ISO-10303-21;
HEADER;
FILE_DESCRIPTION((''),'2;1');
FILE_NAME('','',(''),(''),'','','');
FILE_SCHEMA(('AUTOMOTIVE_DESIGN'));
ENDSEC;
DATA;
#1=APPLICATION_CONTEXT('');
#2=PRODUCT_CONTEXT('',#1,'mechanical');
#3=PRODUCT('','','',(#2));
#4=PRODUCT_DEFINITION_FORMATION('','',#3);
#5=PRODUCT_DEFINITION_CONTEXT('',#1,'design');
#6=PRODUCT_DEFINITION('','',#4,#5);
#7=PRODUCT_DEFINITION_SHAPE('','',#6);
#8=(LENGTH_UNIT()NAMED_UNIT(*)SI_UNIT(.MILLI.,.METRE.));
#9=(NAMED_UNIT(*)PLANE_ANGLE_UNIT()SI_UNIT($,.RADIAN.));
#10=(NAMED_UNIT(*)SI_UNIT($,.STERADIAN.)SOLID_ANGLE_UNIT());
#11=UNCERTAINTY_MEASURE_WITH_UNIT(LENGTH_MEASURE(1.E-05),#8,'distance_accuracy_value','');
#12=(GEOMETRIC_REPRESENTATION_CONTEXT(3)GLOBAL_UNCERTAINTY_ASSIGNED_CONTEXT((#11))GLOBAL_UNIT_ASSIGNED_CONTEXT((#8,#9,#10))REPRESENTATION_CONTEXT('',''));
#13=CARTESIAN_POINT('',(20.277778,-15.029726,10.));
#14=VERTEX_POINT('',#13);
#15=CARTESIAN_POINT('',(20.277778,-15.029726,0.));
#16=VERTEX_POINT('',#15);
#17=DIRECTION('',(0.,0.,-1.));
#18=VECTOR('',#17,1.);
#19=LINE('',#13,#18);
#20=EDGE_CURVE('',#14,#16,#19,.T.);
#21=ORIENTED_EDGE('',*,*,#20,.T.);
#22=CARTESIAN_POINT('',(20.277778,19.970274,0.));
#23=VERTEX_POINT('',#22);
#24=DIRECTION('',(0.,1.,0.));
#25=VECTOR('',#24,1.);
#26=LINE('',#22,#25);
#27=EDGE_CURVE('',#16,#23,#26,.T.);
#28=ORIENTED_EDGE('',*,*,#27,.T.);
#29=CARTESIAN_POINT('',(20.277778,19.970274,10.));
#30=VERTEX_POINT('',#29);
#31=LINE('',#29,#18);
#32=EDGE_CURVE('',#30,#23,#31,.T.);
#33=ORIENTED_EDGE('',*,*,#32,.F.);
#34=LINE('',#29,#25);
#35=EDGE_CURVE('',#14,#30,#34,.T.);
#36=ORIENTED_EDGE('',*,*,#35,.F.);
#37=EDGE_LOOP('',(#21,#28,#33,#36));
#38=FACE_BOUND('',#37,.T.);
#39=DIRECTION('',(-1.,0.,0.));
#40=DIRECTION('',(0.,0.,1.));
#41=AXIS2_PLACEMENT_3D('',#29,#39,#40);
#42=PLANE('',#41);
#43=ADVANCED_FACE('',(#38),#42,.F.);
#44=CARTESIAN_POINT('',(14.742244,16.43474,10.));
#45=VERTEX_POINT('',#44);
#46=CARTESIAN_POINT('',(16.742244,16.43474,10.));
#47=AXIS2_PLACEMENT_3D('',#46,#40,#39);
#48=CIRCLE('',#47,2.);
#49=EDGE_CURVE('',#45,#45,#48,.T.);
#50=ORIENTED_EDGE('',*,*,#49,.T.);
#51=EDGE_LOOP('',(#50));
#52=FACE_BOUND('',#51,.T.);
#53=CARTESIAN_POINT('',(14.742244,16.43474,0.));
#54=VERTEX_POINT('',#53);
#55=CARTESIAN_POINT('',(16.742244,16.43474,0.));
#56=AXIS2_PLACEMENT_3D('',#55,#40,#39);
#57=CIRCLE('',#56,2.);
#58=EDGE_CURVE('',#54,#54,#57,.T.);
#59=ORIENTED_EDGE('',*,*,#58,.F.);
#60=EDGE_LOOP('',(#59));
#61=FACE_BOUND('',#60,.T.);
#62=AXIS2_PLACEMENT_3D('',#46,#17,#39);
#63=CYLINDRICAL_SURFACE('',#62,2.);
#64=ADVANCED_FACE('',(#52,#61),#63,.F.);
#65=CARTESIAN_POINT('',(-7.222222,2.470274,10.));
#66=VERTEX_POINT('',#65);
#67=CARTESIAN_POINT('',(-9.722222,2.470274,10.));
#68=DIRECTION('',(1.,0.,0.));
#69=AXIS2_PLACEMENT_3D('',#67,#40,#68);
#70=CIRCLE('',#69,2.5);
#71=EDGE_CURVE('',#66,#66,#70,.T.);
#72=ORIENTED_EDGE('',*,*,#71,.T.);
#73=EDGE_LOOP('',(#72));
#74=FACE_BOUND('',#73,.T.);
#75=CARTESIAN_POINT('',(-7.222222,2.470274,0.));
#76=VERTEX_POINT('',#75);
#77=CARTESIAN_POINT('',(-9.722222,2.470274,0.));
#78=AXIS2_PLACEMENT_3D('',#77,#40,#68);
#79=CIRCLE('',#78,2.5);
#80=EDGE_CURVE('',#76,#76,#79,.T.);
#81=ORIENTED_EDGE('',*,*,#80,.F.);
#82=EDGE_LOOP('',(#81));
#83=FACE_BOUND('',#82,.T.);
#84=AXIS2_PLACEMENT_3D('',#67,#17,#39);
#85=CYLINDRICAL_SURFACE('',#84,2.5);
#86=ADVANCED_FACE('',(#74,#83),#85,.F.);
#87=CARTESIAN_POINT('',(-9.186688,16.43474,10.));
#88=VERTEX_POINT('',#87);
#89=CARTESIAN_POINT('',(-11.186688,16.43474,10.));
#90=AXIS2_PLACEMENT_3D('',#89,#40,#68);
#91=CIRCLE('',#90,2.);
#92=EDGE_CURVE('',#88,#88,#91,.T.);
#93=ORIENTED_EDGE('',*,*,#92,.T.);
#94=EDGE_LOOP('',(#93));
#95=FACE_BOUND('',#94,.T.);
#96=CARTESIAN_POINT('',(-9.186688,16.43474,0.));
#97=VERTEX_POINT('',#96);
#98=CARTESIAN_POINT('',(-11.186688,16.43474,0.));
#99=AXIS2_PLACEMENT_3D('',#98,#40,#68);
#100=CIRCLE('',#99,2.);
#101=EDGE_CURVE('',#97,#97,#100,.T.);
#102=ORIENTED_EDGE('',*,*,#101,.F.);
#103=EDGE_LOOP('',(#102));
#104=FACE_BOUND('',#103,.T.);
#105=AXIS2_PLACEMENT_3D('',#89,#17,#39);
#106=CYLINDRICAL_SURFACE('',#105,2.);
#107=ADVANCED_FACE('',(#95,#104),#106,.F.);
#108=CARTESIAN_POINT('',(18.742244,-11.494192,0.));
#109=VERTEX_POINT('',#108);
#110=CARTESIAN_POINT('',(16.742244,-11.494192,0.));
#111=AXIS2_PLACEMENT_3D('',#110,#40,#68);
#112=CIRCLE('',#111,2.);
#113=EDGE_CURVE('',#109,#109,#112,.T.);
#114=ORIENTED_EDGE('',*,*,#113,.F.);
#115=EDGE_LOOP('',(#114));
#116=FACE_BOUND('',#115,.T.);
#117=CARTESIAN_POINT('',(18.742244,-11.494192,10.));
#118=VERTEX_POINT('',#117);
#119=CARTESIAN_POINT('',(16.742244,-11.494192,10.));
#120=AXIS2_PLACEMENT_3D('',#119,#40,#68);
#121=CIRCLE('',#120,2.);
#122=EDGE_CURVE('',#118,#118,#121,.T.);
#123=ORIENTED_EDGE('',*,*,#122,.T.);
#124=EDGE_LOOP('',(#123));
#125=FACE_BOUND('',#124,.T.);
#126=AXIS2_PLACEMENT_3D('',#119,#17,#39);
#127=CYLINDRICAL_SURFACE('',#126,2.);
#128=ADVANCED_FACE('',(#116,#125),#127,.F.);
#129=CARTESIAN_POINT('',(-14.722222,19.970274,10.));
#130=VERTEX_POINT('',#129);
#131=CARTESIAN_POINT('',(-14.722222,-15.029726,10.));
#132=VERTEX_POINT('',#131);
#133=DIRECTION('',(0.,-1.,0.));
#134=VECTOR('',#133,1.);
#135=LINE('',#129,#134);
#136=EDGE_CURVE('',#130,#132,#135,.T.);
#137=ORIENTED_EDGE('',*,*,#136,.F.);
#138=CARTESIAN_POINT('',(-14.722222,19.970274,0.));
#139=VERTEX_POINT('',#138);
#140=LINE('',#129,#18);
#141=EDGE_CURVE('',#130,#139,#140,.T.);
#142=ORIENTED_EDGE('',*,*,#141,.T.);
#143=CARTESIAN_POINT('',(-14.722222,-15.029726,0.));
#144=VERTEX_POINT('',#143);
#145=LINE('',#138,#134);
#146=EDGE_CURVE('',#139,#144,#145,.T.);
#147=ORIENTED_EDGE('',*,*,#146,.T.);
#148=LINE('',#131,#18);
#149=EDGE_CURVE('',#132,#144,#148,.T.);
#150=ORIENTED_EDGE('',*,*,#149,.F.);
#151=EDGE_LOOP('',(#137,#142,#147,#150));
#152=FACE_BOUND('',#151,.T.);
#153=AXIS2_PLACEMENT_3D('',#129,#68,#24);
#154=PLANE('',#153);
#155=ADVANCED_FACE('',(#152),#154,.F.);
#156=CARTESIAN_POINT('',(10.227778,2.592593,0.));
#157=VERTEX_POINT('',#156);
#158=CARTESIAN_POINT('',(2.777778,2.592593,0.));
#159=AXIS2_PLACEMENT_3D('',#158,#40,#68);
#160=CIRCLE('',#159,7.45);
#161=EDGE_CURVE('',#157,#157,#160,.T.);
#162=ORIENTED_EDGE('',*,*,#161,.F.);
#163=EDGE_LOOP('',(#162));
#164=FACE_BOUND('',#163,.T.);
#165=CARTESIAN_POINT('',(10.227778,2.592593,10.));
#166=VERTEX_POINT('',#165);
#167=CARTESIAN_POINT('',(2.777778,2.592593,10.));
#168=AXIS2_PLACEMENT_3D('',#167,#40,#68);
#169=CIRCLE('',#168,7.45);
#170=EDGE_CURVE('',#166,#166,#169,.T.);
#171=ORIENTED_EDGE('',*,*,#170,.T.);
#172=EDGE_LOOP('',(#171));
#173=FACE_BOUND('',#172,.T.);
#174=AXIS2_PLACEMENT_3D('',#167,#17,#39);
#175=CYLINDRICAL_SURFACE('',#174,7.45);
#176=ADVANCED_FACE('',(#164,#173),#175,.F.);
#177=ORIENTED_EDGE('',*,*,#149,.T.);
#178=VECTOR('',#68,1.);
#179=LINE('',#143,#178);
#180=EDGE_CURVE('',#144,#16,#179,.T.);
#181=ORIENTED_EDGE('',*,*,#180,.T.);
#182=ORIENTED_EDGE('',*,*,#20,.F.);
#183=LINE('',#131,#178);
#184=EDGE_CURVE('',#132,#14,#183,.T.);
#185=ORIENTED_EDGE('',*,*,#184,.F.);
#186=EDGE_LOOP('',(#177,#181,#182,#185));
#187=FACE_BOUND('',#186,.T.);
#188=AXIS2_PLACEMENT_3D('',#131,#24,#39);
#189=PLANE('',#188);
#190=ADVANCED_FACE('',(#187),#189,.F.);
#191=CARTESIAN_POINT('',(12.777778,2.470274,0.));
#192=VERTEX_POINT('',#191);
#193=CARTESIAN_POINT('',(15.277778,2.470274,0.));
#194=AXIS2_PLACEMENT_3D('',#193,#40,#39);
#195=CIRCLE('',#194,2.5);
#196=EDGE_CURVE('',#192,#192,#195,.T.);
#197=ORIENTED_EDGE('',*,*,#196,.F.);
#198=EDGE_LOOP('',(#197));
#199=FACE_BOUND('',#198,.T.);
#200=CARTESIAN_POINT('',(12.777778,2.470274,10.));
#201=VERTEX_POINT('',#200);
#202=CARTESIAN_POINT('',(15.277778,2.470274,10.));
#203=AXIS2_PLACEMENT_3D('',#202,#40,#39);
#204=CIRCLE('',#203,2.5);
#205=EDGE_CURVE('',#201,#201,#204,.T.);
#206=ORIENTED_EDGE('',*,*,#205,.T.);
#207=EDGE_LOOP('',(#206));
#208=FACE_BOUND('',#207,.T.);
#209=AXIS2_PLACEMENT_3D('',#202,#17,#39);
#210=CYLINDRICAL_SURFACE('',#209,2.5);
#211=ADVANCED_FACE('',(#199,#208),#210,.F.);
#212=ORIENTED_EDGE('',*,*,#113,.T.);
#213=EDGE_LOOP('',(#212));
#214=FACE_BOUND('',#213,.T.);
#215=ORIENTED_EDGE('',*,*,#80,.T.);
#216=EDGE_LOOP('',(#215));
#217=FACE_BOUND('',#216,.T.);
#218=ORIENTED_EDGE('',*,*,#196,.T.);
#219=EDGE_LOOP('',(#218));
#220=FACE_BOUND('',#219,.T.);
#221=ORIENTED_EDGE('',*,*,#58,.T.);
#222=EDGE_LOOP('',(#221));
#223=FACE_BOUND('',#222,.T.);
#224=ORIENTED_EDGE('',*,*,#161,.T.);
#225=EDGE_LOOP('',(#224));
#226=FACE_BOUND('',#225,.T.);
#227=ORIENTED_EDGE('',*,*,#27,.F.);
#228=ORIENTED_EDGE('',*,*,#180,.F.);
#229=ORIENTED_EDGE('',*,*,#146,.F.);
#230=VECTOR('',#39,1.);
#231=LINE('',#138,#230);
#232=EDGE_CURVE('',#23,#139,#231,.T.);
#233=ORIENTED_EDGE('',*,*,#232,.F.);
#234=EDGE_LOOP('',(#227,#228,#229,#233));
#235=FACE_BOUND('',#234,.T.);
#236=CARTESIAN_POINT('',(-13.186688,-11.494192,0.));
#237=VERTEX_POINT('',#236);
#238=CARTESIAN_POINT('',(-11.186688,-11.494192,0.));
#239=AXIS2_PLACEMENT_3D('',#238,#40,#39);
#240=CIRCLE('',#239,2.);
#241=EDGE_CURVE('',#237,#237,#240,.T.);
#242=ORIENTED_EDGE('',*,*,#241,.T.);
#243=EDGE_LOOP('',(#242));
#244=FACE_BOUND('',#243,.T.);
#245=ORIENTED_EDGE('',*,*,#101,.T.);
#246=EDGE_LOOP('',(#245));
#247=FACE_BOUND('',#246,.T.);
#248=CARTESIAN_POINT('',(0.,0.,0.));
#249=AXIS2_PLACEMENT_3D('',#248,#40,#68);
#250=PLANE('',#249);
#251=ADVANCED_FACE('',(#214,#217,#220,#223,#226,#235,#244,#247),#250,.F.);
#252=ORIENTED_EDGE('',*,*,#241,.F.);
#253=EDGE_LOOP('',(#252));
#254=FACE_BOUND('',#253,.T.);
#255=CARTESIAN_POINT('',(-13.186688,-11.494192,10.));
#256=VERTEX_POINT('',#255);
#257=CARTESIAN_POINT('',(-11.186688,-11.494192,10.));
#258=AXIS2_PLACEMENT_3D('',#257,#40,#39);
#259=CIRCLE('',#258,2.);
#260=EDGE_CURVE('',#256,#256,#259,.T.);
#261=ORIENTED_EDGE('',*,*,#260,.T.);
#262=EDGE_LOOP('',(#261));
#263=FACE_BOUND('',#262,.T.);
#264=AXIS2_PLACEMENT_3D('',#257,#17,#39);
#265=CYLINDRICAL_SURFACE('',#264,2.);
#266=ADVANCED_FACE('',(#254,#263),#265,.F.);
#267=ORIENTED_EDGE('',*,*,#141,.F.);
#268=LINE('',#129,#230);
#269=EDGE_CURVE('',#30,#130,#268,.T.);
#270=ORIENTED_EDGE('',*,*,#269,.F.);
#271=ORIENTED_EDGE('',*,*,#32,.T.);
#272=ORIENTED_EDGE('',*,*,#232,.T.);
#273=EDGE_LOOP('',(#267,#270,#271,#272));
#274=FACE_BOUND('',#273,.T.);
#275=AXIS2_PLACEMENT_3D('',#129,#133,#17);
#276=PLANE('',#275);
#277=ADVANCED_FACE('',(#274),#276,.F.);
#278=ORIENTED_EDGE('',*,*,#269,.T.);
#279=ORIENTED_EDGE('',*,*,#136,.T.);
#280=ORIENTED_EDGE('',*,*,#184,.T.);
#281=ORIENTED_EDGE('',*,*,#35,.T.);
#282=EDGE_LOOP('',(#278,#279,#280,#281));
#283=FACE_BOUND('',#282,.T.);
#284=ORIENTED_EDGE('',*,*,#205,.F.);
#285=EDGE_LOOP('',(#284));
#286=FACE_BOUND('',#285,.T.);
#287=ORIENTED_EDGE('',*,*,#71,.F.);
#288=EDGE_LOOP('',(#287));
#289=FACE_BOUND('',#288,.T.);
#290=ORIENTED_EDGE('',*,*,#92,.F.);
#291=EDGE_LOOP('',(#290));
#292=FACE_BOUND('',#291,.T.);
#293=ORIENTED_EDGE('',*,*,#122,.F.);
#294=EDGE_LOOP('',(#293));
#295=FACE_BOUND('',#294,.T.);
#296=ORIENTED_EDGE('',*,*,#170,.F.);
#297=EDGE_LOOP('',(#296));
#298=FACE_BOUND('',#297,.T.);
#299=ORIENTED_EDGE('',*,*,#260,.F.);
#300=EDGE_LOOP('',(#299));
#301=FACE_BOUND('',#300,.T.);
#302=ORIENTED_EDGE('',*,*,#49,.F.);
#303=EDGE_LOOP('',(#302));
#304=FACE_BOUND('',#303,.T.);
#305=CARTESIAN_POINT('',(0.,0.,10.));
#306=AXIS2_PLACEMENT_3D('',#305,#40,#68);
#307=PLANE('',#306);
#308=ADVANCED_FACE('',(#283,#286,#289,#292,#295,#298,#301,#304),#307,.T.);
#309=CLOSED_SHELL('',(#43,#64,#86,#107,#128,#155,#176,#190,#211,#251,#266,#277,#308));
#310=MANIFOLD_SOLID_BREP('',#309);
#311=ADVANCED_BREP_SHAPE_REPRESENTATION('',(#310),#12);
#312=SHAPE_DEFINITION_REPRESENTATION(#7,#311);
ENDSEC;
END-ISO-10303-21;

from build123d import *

# Parameters (mm, degrees)
SKETCH1_W           = 35
SKETCH1_H           = 35
SKETCH1_R           = 7.45
SKETCH1_R_2         = 2
SKETCH1_R_3         = 2.5
BOSS_EXTRUDE1_DEPTH = 10


with BuildPart() as part:
    # Sketch1 → Boss-Extrude1 (new body)
    with BuildSketch(Plane.XY):
        with Locations((2.777777778, 2.470273614)):
            Rectangle(SKETCH1_W, SKETCH1_H)
        with Locations((2.777777778, 2.592592593)):
            Circle(SKETCH1_R, mode=Mode.SUBTRACT)
        with Locations((16.742243872, -11.49419248)):
            Circle(SKETCH1_R_2, mode=Mode.SUBTRACT)
        with Locations(Location((16.742243872, 16.434739708, 0), (0, 0, 180))):
            Circle(SKETCH1_R_2, mode=Mode.SUBTRACT)
        with Locations((-11.186688316, 16.434739708)):
            Circle(SKETCH1_R_2, mode=Mode.SUBTRACT)
        with Locations(Location((-11.186688316, -11.49419248, 0), (0, 0, 180))):
            Circle(SKETCH1_R_2, mode=Mode.SUBTRACT)
        with Locations(Location((15.277777778, 2.470273614, 0), (0, 0, 180))):
            Circle(SKETCH1_R_3, mode=Mode.SUBTRACT)
        with Locations((-9.722222222, 2.470273614)):
            Circle(SKETCH1_R_3, mode=Mode.SUBTRACT)
    extrude(amount=BOSS_EXTRUDE1_DEPTH)


solid = part.part
